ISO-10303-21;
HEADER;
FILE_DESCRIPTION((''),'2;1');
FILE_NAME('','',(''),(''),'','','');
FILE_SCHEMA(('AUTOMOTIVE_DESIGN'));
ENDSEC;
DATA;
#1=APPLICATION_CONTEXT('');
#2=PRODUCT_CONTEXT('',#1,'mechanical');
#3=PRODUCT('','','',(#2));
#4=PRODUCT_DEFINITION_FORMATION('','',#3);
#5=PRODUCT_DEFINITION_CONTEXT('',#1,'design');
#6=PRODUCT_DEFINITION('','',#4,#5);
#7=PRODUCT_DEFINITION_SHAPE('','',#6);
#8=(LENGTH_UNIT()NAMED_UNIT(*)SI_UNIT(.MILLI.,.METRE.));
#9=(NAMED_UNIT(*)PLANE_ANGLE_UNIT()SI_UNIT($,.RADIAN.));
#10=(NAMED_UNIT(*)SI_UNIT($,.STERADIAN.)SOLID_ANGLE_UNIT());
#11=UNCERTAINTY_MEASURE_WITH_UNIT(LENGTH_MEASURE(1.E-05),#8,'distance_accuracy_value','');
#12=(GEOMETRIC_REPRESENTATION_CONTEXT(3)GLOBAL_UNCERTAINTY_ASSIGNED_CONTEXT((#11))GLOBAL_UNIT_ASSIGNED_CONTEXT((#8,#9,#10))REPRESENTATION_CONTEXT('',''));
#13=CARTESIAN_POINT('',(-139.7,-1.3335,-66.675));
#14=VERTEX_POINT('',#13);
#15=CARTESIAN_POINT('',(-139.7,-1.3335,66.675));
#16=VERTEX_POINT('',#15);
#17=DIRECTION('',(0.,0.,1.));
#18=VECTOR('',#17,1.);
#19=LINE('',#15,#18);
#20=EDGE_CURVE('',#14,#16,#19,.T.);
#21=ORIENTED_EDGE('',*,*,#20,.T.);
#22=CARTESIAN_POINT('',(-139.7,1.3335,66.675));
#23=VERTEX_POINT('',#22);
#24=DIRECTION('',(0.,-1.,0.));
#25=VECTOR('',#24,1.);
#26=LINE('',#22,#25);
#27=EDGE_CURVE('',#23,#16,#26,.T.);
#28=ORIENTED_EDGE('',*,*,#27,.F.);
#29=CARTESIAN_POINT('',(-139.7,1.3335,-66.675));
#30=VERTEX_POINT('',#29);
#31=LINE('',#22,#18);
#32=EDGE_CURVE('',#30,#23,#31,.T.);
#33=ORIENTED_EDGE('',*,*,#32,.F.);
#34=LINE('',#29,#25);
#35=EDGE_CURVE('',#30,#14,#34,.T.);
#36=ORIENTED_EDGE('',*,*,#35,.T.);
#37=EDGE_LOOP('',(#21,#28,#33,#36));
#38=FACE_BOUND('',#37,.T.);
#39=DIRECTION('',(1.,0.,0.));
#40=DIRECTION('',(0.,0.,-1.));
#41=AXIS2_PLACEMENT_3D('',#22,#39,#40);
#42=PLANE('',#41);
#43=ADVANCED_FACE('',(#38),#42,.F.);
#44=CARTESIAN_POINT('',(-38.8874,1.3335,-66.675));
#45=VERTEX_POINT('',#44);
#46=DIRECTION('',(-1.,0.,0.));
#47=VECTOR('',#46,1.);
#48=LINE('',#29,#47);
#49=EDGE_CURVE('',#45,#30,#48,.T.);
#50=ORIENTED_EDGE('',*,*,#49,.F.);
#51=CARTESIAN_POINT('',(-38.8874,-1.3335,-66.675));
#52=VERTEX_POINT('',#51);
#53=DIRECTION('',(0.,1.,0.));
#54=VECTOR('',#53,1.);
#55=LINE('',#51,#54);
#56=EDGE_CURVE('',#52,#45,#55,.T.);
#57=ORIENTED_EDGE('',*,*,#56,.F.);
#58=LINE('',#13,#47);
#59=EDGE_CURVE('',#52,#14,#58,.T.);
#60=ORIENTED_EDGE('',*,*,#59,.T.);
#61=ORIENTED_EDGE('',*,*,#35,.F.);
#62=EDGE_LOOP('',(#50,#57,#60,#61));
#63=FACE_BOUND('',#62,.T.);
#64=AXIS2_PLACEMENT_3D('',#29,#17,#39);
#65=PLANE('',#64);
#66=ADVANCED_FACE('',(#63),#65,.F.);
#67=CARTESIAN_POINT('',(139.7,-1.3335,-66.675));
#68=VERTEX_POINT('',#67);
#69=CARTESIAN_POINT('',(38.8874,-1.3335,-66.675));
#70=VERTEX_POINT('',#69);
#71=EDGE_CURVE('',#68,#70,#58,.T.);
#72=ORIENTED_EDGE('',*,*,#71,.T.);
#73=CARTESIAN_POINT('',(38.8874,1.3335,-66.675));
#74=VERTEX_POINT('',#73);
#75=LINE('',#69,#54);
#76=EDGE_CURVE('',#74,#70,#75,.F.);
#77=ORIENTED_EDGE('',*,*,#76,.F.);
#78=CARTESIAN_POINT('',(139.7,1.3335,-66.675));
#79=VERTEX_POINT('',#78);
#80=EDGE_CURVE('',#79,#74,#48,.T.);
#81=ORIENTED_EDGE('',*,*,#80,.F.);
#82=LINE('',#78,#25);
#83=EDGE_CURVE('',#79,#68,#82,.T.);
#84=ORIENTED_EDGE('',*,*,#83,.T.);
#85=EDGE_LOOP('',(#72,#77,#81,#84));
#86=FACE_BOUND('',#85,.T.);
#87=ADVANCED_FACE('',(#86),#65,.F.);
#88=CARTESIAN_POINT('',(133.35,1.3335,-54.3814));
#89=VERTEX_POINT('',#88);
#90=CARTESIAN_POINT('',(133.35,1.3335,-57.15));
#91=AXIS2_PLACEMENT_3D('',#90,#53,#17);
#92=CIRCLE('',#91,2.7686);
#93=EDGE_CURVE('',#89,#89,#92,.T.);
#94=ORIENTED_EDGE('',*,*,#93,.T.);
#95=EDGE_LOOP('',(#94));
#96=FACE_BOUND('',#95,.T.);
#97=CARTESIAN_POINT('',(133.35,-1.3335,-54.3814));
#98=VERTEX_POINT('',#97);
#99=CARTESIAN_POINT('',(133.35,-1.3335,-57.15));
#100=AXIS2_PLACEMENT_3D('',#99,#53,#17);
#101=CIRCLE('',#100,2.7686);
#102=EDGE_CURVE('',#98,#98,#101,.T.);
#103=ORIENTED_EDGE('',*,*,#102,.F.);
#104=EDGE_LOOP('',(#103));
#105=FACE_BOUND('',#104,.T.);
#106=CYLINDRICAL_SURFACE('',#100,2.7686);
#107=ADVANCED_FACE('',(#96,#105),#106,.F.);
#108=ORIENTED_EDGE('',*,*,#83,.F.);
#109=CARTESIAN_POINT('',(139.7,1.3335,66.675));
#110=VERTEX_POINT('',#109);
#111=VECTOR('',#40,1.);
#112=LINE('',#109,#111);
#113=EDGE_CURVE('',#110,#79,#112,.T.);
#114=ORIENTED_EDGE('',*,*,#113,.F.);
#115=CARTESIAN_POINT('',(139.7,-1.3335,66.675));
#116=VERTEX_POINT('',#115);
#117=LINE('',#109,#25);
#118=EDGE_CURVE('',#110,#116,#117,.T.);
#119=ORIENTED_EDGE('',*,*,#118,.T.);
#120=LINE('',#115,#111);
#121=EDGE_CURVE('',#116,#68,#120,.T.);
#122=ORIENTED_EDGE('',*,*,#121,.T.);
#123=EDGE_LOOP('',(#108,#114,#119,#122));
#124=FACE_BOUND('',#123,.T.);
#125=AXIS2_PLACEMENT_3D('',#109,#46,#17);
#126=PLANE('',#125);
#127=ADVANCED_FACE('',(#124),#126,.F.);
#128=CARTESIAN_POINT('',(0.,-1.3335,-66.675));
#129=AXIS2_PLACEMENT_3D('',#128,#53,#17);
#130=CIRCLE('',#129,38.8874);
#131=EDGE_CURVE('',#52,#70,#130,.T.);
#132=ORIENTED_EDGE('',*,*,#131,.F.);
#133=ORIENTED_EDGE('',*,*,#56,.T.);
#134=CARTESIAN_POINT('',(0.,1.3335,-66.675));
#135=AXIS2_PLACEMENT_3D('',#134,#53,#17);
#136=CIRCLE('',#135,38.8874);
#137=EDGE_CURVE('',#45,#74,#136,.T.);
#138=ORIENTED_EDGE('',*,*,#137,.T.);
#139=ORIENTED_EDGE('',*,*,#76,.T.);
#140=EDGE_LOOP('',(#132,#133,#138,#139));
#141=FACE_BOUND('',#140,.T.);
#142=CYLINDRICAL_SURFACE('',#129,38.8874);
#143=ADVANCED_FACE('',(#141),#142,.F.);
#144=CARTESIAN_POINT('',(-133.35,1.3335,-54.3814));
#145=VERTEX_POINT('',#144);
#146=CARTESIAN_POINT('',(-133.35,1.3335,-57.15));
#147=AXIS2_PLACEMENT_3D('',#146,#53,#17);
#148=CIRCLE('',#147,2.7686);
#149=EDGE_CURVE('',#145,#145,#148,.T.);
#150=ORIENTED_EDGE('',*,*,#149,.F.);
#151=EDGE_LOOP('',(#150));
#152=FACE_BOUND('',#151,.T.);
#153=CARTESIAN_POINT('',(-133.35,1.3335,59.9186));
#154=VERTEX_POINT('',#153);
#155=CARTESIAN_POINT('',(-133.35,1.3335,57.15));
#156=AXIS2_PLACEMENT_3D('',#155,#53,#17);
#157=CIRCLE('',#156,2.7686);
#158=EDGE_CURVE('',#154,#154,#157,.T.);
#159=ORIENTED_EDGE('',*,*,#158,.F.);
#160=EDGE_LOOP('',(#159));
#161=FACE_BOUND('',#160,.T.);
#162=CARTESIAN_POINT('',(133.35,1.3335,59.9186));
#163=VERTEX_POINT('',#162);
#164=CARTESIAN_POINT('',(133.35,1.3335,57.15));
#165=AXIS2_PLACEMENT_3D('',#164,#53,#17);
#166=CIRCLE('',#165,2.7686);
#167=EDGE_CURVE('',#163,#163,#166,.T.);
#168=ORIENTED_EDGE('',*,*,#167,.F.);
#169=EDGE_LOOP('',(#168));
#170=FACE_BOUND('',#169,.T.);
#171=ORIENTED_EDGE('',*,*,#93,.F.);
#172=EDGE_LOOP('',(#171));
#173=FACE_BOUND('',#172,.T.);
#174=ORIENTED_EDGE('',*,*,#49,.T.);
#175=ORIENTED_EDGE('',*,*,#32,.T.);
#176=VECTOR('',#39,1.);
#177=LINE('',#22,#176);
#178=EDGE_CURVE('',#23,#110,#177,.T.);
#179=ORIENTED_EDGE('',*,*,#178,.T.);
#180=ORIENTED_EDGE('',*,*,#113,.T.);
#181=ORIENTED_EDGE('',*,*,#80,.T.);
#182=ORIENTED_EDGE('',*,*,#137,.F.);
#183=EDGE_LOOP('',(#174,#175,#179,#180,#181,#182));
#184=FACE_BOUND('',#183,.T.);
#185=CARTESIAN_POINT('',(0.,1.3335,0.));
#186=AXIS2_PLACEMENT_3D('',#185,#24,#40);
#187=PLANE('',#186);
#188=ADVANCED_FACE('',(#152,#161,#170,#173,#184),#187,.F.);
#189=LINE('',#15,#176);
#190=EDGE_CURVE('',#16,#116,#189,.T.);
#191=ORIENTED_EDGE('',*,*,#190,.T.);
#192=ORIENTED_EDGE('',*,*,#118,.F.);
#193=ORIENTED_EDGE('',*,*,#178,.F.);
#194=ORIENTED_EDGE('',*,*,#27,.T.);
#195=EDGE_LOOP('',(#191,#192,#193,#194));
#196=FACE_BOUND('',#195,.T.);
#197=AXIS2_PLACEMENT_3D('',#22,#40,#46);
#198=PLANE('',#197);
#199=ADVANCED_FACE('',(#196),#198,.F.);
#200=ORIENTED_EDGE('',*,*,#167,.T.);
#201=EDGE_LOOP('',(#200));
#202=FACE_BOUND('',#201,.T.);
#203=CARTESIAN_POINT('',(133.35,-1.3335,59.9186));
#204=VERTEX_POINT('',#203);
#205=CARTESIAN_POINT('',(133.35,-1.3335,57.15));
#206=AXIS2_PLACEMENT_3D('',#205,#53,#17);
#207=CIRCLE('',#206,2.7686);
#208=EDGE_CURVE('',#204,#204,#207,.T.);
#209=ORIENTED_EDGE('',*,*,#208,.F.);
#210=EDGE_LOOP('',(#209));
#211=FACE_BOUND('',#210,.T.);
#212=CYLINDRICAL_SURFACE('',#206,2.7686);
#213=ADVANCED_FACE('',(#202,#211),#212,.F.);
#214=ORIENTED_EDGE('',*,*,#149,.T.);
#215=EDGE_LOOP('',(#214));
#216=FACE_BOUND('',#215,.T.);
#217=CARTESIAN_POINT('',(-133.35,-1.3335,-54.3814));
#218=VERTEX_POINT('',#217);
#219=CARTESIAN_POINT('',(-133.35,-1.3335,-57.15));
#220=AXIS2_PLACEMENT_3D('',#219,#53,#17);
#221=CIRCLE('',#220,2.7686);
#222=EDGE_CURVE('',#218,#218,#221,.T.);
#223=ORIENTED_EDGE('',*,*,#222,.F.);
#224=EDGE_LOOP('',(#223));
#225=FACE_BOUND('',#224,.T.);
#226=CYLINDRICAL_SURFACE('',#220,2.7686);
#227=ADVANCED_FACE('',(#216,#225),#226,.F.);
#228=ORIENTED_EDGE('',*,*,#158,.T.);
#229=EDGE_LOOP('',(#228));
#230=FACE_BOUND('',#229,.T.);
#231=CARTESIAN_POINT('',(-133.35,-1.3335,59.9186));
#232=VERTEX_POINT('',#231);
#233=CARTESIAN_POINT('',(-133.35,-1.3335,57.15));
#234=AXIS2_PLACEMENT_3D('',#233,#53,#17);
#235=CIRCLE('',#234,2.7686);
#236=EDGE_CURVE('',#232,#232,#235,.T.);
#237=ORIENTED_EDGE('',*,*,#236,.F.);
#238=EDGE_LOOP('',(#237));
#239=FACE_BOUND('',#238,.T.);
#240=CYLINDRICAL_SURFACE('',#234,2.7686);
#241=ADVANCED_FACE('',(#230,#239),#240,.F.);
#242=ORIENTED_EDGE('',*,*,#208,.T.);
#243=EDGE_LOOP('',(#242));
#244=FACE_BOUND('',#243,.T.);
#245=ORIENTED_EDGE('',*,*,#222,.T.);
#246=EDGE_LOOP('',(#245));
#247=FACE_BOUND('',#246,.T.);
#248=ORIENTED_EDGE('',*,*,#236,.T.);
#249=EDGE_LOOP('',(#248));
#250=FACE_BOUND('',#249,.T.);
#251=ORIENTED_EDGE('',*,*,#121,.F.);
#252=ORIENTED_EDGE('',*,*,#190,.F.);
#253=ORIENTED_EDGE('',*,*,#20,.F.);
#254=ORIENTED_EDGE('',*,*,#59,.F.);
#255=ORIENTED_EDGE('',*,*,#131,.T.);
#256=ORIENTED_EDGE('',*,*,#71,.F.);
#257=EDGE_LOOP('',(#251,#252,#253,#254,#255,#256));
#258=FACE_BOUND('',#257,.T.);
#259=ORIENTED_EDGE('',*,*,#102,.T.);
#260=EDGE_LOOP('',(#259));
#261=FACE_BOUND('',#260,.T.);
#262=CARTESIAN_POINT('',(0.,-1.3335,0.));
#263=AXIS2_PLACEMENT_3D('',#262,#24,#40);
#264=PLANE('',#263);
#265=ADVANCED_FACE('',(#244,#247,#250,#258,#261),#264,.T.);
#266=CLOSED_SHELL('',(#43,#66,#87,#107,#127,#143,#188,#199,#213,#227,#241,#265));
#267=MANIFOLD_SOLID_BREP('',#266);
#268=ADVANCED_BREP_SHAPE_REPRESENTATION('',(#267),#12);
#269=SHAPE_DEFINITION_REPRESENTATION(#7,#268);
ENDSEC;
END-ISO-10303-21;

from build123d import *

# Parameters (mm, degrees)
SKETCH1_W           = 279.4
SKETCH1_H           = 133.35
BOSS_EXTRUDE1_DEPTH = 1.3335
CUT_EXTRUDE2_START  = 1.3335
SKETCH2_R           = 38.8874
CUT_EXTRUDE2_DEPTH  = 157.134739812
CUT_EXTRUDE4_START  = 1.3335
SKETCH3_R           = 2.7686
CUT_EXTRUDE4_DEPTH  = 157.134739812


with BuildPart() as part:
    # Sketch1 → Boss-Extrude1 (new, symmetric)
    with BuildSketch(Plane(origin=(0, 0, 0), x_dir=(1, 0, 0), z_dir=(0, 1, 0))):
        Rectangle(SKETCH1_W, SKETCH1_H)
    extrude(amount=BOSS_EXTRUDE1_DEPTH, both=True)

    # Sketch2 → Cut-Extrude2 (cut, through all)
    with BuildSketch(Plane(origin=(0, 0, 0), x_dir=(1, 0, 0), z_dir=(0, 1, 0)).offset(CUT_EXTRUDE2_START)):
        with Locations((0, 66.675)):
            Circle(SKETCH2_R)
    extrude(amount=-CUT_EXTRUDE2_DEPTH, mode=Mode.SUBTRACT)

    # Sketch3 → Cut-Extrude4 (cut, through all)
    with BuildSketch(Plane(origin=(0, 0, 0), x_dir=(1, 0, 0), z_dir=(0, 1, 0)).offset(CUT_EXTRUDE4_START)):
        with Locations(Location((-133.35, -57.15, 0), (0, 0, 270))):
            Circle(SKETCH3_R)
        with Locations(Location((133.35, -57.15, 0), (0, 0, 270))):
            Circle(SKETCH3_R)
        with Locations(Location((-133.35, 57.15, 0), (0, 0, 270))):
            Circle(SKETCH3_R)
        with Locations(Location((133.35, 57.15, 0), (0, 0, 270))):
            Circle(SKETCH3_R)
    extrude(amount=-CUT_EXTRUDE4_DEPTH, mode=Mode.SUBTRACT)


solid = part.part
